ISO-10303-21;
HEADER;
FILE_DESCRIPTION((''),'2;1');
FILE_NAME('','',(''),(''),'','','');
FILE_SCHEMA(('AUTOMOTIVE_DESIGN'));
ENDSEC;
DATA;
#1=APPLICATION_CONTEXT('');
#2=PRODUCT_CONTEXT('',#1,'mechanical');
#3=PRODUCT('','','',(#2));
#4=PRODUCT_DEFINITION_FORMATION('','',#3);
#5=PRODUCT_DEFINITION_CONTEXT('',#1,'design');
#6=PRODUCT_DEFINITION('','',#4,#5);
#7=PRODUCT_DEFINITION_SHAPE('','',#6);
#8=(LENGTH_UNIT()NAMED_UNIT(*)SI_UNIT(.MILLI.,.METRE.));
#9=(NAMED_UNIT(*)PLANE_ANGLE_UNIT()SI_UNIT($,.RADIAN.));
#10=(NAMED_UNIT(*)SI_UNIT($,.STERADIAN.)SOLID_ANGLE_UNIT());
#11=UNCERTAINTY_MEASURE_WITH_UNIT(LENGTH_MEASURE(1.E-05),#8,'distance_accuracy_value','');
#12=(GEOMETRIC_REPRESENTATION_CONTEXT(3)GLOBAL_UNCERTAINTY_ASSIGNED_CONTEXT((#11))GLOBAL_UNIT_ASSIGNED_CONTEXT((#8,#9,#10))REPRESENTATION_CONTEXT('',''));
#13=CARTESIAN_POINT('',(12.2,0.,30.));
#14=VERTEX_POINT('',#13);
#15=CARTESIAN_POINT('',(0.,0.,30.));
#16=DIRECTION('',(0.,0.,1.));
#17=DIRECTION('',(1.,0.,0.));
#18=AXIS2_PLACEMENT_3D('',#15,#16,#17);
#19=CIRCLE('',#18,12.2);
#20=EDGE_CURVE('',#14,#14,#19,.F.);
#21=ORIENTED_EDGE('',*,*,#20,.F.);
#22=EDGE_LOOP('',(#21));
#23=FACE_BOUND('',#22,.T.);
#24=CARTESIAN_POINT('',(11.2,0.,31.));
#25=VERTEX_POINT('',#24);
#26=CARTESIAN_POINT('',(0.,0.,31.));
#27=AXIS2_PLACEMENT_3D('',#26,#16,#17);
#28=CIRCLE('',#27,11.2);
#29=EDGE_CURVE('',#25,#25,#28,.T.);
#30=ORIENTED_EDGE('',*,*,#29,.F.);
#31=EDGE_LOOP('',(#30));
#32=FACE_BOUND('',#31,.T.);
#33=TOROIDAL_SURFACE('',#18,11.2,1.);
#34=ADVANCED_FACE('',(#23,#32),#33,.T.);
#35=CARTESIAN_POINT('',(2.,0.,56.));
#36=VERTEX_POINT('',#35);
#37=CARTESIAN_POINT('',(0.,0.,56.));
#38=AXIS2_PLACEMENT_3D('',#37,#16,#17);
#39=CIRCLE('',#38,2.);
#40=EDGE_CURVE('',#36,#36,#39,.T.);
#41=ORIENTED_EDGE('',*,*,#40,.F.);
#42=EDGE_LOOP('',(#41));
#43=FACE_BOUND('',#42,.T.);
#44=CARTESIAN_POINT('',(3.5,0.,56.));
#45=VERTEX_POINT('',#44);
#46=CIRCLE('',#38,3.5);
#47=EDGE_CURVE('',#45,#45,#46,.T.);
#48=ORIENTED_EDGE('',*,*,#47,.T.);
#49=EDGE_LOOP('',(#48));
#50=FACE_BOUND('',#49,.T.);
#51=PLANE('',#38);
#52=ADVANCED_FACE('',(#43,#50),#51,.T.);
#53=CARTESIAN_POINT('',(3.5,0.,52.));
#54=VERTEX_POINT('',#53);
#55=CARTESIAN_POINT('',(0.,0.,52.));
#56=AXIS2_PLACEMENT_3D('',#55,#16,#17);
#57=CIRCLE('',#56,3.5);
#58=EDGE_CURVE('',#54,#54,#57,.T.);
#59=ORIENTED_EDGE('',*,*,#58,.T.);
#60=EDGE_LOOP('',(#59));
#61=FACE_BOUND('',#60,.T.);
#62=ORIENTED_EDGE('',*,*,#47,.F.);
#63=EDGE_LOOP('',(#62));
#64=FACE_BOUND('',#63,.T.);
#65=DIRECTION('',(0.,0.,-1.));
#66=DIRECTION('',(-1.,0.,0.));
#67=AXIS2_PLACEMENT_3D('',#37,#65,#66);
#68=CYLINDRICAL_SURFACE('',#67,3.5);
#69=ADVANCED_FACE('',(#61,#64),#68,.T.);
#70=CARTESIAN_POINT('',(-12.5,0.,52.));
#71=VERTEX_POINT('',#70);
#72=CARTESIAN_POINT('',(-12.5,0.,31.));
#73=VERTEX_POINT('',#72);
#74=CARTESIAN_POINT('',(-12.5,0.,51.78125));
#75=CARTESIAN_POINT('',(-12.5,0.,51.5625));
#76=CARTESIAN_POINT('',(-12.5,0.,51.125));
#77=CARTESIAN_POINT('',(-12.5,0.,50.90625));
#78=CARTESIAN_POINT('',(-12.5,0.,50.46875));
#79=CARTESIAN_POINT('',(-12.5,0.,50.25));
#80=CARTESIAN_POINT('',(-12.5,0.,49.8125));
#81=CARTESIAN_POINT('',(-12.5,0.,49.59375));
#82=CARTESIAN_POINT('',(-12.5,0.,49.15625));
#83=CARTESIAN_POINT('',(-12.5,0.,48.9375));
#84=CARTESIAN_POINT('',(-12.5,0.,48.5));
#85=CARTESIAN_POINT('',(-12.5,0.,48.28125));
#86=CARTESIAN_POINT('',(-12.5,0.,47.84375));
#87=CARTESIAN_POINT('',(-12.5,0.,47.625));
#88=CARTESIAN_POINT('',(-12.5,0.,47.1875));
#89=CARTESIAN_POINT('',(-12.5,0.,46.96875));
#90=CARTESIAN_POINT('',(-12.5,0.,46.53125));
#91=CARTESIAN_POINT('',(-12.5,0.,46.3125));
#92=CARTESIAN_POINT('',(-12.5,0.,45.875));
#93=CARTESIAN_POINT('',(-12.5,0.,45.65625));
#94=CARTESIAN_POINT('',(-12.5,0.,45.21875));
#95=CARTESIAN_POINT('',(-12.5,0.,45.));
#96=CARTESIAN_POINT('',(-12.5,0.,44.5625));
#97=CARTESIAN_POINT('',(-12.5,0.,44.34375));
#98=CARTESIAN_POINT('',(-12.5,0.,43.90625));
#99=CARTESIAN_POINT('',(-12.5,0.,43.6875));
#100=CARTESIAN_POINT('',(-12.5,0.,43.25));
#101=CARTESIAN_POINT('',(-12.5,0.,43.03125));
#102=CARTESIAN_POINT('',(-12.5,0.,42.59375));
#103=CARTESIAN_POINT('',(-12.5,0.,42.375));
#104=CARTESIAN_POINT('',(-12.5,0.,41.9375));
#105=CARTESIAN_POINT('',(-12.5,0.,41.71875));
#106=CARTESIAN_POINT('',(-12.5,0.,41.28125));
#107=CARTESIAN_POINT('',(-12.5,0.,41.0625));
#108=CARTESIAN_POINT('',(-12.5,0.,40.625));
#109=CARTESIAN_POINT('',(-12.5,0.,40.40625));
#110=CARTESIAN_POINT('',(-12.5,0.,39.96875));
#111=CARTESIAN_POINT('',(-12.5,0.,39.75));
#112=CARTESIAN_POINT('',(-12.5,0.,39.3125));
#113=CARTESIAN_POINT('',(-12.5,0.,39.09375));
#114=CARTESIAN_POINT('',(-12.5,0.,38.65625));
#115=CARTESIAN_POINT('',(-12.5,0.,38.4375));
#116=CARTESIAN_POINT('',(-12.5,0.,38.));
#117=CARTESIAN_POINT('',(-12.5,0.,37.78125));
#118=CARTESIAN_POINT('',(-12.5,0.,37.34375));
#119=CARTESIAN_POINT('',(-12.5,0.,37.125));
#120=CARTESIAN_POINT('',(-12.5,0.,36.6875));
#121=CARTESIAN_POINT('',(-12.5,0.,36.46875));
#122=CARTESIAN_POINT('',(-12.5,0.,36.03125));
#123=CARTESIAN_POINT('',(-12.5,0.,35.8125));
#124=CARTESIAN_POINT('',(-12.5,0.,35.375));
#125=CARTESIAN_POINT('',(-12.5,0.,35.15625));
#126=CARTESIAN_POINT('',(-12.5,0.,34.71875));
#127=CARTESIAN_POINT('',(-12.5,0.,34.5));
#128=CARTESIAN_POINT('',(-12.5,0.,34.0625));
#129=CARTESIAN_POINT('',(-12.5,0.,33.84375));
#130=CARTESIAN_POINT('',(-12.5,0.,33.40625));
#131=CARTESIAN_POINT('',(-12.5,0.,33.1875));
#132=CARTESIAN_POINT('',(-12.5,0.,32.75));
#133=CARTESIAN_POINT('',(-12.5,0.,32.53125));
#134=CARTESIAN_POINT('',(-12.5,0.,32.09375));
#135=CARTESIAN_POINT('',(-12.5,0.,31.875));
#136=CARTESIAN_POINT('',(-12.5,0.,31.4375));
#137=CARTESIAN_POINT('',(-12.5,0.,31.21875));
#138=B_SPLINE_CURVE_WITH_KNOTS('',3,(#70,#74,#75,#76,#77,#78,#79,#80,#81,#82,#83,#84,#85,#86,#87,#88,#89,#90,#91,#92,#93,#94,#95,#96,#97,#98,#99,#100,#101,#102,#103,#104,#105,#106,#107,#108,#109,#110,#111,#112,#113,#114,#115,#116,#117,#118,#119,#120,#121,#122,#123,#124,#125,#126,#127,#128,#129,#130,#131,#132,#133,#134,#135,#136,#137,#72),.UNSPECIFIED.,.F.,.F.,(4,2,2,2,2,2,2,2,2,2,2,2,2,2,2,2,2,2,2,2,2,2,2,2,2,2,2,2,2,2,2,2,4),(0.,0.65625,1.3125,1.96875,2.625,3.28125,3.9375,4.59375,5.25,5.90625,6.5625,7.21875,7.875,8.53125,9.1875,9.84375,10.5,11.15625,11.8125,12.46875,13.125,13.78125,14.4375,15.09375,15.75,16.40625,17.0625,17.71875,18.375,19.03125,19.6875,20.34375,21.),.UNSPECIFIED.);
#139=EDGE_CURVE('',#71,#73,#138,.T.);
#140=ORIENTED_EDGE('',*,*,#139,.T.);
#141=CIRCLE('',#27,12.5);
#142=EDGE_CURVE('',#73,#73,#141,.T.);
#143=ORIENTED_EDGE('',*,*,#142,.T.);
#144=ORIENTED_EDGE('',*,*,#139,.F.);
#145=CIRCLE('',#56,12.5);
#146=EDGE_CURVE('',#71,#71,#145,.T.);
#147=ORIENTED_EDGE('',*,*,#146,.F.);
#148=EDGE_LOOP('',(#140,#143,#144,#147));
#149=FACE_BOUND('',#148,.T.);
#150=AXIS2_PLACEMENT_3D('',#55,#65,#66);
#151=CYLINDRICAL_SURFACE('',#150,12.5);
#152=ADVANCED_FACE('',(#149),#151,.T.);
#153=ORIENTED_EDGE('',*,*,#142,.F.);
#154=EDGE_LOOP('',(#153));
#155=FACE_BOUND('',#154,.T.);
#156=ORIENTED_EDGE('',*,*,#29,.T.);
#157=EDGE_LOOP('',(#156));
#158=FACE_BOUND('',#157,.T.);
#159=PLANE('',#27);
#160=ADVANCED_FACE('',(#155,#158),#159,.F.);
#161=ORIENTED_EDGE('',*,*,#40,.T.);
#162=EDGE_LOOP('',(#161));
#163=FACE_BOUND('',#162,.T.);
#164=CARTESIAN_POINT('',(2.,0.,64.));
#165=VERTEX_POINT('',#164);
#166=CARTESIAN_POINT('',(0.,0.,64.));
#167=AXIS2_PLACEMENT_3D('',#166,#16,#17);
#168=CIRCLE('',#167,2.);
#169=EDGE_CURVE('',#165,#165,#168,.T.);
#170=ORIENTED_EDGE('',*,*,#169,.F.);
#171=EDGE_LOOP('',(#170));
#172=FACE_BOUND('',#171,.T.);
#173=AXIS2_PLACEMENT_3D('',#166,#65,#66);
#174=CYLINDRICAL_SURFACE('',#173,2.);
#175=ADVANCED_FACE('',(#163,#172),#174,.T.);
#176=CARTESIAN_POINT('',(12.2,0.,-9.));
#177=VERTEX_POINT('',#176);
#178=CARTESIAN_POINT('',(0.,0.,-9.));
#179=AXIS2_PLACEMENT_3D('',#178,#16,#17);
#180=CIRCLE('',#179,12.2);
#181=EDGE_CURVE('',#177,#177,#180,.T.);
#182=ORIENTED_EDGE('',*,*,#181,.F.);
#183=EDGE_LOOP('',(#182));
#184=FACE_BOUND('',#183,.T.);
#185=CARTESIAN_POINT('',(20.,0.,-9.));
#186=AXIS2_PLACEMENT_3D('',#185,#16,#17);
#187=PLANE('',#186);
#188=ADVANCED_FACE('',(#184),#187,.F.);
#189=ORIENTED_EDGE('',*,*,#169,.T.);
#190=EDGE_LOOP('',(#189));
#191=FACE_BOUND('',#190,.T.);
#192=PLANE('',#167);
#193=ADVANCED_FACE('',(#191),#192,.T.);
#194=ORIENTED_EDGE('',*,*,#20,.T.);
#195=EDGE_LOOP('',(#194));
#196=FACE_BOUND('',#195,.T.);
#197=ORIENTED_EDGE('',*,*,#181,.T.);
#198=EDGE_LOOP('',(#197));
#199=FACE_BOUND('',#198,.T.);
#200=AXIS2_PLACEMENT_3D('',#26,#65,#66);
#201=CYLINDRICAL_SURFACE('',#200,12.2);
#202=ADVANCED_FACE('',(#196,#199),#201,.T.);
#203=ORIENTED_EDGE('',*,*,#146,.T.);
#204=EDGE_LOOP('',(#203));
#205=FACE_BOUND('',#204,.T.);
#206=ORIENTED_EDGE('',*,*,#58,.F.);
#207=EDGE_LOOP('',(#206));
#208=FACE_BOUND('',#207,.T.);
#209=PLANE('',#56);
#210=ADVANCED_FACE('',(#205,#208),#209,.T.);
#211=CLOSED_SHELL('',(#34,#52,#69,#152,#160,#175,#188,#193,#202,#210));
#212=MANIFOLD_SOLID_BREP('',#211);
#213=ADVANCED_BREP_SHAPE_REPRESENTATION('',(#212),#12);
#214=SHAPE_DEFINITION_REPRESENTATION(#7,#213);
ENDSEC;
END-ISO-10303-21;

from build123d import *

# Parameters (mm, degrees)
SKETCH2_R               = 12.2
BOSS_EXTRUDE1_DEPTH     = 31
FILLET1_R               = 1
SKETCH3_R               = 12.5
BOSS_EXTRUDE2_DEPTH     = 21
SKETCH4_R               = 3.5
BOSS_EXTRUDE3_DEPTH     = 4
SKETCH5_R               = 2
BOSS_EXTRUDE4_DEPTH     = 8
BOSS_EXTRUDE5_START     = 10
SKETCH6_R               = 12.2
BOSS_EXTRUDE5_DEPTH     = 10
CUT_EXTRUDE1_DEPTH      = 20
CUT_EXTRUDE1_DEPTH_BACK = 19
SKETCH7_W               = 2.212937173
SKETCH7_H               = 31.307930015


with BuildPart() as part:
    # Sketch2 → Boss-Extrude1 (new body)
    with BuildSketch(Plane.XY):
        Circle(SKETCH2_R)
    extrude(amount=BOSS_EXTRUDE1_DEPTH)

    # Fillet1
    fillet1_edges = [part.edges().sort_by_distance(p)[0] for p in [
        (-12.2, 0, 31),
    ]]
    fillet(fillet1_edges, radius=FILLET1_R)

    # Sketch3 → Boss-Extrude2 (add)
    with BuildSketch(Plane.XY.offset(31)):
        with Locations(Location((0, 0, 0), (0, 0, 180))):
            Circle(SKETCH3_R)
    extrude(amount=BOSS_EXTRUDE2_DEPTH)

    # Sketch4 → Boss-Extrude3 (add)
    with BuildSketch(Plane.XY.offset(52)):
        Circle(SKETCH4_R)
    extrude(amount=BOSS_EXTRUDE3_DEPTH)

    # Sketch5 → Boss-Extrude4 (add)
    with BuildSketch(Plane.XY.offset(56)):
        Circle(SKETCH5_R)
    extrude(amount=BOSS_EXTRUDE4_DEPTH)

    # Sketch6 → Boss-Extrude5 (add)
    with BuildSketch(Plane(origin=(0, 0, 0), x_dir=(-1, 0, 0), z_dir=(0, 0, -1)).offset(BOSS_EXTRUDE5_START)):
        Circle(SKETCH6_R)
    extrude(amount=-BOSS_EXTRUDE5_DEPTH)

    # Sketch7 → Cut-Extrude1 (cut, two sides: drawn at the far end of the back side and taken through both)
    with BuildSketch(Plane(origin=(0, 0, 0), x_dir=(0, 0, -1), z_dir=(1, 0, 0)).offset(-CUT_EXTRUDE1_DEPTH_BACK)):
        with Locations((10.106468587, 3.153965008)):
            Rectangle(SKETCH7_W, SKETCH7_H)
    extrude(amount=CUT_EXTRUDE1_DEPTH + CUT_EXTRUDE1_DEPTH_BACK, mode=Mode.SUBTRACT)


solid = part.part
